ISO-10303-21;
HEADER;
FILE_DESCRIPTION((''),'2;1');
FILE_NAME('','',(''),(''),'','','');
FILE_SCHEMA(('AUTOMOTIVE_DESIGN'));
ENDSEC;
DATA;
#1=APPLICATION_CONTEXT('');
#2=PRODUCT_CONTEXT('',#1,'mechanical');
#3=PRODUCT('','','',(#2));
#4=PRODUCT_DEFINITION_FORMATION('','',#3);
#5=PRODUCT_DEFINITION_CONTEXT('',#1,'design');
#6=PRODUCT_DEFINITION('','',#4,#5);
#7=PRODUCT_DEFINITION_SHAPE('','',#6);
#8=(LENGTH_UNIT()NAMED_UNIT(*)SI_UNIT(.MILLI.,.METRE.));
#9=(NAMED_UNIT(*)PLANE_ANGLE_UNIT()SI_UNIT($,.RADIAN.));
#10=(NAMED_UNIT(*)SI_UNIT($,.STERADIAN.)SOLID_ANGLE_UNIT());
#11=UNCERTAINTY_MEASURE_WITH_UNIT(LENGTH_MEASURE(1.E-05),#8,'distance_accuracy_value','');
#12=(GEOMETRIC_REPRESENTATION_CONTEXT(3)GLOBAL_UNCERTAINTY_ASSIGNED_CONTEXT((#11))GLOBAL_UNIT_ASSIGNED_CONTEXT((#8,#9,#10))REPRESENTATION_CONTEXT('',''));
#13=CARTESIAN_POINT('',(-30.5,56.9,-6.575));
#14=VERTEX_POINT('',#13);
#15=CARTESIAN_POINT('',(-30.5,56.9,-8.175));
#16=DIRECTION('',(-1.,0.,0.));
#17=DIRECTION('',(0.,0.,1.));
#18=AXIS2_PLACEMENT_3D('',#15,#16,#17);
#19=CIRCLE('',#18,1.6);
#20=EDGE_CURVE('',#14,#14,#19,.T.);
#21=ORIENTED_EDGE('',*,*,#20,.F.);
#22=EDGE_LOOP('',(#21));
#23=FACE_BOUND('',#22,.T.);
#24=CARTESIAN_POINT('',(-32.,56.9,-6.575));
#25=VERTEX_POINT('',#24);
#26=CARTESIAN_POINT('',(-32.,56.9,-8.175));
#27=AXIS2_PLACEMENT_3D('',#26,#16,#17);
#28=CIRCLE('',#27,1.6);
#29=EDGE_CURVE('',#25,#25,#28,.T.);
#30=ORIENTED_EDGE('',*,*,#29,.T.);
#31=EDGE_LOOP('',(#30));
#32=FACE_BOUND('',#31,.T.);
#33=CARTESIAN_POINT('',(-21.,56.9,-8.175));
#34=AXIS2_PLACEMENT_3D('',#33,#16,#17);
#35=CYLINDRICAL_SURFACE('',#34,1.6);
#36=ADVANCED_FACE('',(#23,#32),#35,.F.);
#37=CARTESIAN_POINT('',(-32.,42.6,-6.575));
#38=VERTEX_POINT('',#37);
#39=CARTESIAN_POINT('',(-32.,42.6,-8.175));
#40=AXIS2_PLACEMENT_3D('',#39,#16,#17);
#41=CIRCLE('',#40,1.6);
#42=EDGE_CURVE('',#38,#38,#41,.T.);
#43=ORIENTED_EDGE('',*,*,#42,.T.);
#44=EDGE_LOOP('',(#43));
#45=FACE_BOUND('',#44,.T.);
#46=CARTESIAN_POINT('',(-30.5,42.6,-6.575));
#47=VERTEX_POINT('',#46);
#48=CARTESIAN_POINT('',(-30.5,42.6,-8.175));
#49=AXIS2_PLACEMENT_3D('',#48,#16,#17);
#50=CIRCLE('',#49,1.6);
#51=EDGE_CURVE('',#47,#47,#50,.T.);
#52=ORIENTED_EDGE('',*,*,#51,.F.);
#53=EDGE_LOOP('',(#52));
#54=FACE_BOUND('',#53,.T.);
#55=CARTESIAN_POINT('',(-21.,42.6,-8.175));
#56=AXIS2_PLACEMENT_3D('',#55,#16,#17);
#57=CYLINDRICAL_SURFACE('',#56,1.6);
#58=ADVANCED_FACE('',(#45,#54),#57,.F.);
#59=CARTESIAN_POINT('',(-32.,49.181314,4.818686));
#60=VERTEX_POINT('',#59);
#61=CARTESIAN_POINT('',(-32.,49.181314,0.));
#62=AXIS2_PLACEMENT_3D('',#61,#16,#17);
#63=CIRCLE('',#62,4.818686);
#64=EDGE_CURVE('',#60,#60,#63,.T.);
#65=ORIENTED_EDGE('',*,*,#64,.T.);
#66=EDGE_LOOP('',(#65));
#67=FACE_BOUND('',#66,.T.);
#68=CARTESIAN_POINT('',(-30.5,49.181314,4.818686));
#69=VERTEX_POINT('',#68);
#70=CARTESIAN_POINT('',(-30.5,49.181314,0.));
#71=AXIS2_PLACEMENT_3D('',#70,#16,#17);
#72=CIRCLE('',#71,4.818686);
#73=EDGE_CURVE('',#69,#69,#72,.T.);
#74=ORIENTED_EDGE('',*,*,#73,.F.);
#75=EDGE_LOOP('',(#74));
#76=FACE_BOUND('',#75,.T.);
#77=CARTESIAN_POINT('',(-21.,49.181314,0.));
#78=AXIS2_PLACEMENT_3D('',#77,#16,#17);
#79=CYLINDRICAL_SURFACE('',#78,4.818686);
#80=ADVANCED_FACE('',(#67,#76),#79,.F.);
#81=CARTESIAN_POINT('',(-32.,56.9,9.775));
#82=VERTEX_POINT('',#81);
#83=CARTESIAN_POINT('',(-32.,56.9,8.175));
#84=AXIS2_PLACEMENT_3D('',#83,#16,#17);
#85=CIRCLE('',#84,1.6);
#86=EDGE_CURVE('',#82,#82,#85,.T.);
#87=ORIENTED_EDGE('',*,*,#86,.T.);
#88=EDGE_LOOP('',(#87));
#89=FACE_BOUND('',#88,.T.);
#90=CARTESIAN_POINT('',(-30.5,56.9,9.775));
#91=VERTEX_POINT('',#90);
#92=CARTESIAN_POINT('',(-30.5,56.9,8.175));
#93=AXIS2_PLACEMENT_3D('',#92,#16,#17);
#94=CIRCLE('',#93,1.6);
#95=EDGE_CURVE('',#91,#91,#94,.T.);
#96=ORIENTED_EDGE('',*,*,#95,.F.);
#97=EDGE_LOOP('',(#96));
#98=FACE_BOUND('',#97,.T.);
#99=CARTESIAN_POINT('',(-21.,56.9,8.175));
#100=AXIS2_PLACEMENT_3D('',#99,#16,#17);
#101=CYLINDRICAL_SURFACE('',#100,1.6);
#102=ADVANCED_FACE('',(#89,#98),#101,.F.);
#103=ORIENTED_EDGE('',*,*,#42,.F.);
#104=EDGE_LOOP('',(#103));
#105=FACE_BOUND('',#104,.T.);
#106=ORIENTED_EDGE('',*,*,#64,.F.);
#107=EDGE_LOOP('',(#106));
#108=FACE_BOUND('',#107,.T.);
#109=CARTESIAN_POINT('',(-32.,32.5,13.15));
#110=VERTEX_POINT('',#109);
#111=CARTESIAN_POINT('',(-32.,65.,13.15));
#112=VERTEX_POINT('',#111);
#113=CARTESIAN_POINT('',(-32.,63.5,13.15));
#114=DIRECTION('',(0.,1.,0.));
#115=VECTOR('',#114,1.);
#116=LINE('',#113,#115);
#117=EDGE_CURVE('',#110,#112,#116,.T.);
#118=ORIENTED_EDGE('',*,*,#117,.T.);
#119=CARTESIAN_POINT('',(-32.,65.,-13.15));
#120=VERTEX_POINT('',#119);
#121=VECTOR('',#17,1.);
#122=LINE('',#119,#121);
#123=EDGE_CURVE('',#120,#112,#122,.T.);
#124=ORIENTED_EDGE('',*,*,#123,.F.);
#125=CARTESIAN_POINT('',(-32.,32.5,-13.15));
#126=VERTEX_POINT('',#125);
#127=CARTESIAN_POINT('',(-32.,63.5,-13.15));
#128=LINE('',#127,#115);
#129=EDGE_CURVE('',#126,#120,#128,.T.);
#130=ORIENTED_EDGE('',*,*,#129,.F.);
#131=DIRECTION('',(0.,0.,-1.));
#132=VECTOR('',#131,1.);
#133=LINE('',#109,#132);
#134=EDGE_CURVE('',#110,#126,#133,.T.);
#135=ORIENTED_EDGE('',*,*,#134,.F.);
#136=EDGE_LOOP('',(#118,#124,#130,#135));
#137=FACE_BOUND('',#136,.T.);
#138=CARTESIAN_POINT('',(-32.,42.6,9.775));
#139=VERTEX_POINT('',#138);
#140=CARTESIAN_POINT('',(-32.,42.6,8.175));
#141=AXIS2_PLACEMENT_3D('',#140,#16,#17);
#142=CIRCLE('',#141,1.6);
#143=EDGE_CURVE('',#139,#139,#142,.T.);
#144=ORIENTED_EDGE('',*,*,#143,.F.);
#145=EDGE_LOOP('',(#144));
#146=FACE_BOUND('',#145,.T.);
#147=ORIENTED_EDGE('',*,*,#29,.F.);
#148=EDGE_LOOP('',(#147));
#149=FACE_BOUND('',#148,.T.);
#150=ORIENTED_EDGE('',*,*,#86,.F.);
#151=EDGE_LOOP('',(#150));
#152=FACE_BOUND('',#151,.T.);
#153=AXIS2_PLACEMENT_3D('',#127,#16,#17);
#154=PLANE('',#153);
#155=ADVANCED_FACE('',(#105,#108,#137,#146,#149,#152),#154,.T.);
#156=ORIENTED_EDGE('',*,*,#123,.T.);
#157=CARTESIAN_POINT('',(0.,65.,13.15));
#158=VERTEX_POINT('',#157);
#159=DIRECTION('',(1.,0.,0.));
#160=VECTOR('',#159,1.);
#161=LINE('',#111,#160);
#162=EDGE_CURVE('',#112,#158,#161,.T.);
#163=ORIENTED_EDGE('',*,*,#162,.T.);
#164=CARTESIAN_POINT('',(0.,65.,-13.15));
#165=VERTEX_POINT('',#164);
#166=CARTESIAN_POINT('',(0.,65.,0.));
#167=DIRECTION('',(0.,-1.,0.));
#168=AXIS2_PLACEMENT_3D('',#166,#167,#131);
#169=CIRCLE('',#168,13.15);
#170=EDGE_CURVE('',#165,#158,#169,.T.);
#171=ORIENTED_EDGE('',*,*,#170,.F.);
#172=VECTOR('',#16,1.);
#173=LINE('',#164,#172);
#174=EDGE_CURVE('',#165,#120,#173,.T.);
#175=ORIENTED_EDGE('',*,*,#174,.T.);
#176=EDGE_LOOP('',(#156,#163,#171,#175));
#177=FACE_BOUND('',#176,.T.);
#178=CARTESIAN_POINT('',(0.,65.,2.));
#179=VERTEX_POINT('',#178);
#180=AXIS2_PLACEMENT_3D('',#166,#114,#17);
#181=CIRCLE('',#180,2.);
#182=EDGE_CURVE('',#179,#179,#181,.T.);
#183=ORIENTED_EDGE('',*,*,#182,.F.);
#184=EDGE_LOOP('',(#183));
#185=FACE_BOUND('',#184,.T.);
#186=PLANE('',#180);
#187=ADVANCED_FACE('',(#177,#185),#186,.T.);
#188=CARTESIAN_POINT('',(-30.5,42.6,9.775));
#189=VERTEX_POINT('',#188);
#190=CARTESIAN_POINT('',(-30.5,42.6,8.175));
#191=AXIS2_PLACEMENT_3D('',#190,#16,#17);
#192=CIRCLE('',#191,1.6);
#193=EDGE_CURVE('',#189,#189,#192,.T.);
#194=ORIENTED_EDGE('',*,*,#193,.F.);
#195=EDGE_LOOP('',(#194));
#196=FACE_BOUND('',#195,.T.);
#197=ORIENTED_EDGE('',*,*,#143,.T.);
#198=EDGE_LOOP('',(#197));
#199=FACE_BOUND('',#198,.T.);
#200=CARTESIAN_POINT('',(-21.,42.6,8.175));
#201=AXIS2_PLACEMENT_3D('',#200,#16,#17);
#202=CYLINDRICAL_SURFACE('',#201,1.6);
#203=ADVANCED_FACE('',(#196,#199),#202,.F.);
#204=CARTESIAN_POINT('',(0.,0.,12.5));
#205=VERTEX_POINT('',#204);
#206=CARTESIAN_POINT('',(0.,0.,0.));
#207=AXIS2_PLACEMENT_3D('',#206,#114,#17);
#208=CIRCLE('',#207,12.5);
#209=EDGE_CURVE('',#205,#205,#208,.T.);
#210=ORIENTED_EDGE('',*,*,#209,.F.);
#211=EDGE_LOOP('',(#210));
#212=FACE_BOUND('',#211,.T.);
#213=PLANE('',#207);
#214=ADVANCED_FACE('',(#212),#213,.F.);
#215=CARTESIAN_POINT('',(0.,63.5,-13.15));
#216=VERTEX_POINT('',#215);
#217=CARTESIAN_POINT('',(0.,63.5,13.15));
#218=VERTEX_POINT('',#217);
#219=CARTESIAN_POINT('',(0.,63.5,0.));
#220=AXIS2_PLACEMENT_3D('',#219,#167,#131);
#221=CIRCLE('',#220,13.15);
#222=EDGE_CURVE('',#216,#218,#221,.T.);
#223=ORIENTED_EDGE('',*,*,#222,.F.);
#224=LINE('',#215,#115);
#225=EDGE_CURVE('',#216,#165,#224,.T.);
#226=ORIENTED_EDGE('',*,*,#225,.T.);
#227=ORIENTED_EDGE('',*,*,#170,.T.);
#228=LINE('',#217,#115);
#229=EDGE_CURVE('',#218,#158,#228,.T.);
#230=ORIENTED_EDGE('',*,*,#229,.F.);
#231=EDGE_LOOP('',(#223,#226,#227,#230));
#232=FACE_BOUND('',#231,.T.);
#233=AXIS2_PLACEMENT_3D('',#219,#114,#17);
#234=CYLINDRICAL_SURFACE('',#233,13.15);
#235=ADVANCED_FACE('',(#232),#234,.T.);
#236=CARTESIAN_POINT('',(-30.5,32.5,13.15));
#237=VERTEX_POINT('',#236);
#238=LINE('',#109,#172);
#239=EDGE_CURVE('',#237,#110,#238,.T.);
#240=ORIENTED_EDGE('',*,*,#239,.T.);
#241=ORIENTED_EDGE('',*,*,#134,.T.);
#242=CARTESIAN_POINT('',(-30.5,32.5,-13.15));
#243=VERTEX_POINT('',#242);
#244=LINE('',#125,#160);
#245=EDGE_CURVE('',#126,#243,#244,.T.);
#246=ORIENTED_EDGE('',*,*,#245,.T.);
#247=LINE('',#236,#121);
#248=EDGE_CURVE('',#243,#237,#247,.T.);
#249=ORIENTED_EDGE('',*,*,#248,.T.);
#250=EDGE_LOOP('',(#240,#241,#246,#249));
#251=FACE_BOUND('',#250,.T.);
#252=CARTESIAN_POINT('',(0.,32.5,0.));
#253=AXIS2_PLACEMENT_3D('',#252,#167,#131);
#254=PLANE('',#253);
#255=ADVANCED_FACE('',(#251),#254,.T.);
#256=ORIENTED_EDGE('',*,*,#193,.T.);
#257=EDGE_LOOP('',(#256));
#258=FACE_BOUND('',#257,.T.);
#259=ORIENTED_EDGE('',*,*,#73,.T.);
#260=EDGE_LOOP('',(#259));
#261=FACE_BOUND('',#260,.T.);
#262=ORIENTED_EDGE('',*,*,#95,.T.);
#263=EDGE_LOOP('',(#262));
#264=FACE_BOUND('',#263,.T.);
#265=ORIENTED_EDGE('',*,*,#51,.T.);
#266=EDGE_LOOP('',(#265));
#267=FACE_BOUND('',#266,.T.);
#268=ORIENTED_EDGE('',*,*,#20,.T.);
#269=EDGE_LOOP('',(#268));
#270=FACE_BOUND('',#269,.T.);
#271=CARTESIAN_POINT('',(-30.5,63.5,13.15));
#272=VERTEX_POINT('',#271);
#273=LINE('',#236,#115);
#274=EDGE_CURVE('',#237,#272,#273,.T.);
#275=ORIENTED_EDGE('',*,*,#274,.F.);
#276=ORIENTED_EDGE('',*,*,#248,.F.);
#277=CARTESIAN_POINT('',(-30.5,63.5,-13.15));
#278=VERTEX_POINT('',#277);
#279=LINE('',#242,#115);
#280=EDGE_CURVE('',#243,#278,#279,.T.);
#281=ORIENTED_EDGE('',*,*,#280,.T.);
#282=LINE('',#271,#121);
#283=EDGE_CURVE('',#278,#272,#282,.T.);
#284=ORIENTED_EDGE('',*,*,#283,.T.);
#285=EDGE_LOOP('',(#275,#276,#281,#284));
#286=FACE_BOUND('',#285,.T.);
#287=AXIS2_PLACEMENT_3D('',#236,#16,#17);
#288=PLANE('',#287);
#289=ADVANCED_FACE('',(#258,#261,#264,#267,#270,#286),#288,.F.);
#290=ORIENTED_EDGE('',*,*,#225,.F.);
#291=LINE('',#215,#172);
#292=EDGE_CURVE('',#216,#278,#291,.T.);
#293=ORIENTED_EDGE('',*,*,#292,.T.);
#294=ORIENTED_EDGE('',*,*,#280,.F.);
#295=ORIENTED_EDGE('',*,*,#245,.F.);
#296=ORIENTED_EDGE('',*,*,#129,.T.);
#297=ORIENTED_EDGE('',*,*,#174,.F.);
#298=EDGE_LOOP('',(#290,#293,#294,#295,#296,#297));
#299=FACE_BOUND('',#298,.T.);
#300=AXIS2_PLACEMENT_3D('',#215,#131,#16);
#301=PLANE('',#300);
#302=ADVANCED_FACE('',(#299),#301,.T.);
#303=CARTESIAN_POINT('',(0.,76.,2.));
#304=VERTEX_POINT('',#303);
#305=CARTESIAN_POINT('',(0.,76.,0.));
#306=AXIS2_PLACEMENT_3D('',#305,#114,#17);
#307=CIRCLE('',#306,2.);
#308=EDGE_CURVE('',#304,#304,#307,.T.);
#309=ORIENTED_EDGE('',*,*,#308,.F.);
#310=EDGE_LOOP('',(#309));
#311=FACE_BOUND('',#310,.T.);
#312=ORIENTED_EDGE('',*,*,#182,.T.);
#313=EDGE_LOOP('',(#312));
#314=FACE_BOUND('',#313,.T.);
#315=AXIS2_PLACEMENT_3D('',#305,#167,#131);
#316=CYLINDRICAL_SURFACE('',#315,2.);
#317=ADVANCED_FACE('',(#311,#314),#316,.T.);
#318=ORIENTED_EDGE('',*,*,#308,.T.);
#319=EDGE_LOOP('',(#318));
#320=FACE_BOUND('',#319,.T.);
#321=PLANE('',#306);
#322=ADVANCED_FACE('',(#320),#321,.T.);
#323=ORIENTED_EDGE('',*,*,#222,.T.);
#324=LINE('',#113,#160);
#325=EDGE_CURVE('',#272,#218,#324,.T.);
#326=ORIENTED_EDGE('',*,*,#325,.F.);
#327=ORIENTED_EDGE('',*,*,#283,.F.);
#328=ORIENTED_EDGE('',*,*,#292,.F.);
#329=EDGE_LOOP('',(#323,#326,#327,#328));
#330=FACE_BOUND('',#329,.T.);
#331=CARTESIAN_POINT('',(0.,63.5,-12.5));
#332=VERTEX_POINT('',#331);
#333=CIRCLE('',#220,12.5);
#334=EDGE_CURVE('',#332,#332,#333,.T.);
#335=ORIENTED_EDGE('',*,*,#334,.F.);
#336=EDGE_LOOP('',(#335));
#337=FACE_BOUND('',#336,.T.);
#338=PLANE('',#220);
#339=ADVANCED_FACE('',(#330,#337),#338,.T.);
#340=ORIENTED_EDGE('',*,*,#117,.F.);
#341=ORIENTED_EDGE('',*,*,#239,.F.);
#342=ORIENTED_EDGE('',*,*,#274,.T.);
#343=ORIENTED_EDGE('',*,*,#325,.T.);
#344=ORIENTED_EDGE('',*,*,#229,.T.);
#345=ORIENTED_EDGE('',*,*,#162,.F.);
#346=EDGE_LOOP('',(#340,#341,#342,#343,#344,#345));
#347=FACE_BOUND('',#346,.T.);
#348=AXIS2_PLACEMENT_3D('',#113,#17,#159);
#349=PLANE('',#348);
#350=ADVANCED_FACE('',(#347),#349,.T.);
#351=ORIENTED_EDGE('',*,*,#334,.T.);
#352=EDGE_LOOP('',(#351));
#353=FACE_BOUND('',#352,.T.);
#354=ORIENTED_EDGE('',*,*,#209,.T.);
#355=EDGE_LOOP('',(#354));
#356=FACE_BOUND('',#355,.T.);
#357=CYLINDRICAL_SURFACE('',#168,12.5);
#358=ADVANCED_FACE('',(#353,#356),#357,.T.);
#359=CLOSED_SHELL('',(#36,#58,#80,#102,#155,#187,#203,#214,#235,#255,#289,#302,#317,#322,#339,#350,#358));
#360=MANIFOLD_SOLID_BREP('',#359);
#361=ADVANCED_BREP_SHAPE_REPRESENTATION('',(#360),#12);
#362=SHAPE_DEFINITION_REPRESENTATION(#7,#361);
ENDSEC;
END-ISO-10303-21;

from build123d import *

# Parameters (mm, degrees)
SKETCH1_R           = 12.5
BOSS_EXTRUDE1_DEPTH = 65
SKETCH3_R           = 2
BOSS_EXTRUDE2_DEPTH = 11
BOSS_EXTRUDE3_DEPTH = 1.5
SKETCH5_W           = 1.5
SKETCH5_H           = 26.3
BOSS_EXTRUDE4_DEPTH = 31
SKETCH6_R           = 4.818685959
SKETCH6_R_2         = 1.6
CUT_EXTRUDE1_DEPTH  = 11


with BuildPart() as part:
    # Sketch1 → Boss-Extrude1 (new body)
    with BuildSketch(Plane(origin=(0, 0, 0), x_dir=(1, 0, 0), z_dir=(0, 1, 0))):
        with Locations(Location((0, 0, 0), (0, 0, 270))):
            Circle(SKETCH1_R)
    extrude(amount=BOSS_EXTRUDE1_DEPTH)

    # Sketch3 → Boss-Extrude2 (add)
    with BuildSketch(Plane(origin=(0, 65, 0), x_dir=(1, 0, 0), z_dir=(0, 1, 0))):
        with Locations(Location((0, 0, 0), (0, 0, 270))):
            Circle(SKETCH3_R)
    extrude(amount=BOSS_EXTRUDE2_DEPTH)

    # Sketch4 → Boss-Extrude3 (add)
    with BuildSketch(Plane(origin=(0, 65, 0), x_dir=(1, 0, 0), z_dir=(0, 1, 0))):
        with BuildLine():
            Line((0, 13.15), (-32, 13.15))
            Line((-32, 13.15), (-32, -13.15))
            Line((-32, -13.15), (0, -13.15))
            ThreePointArc((0, -13.15), (13.15, 0), (0, 13.15))
        make_face()
    extrude(amount=-BOSS_EXTRUDE3_DEPTH)

    # Sketch5 → Boss-Extrude4 (add)
    with BuildSketch(Plane.XZ.offset(-63.5)):
        with Locations((-31.25, 0)):
            Rectangle(SKETCH5_W, SKETCH5_H)
    extrude(amount=BOSS_EXTRUDE4_DEPTH)

    # Sketch6 → Cut-Extrude1 (cut)
    with BuildSketch(Plane.ZY.offset(32)):
        with Locations((0, 49.181314041)):
            Circle(SKETCH6_R)
        with Locations((-8.175, 56.9)):
            Circle(SKETCH6_R_2)
        with Locations((8.175, 56.9)):
            Circle(SKETCH6_R_2)
        with Locations((8.175, 42.6)):
            Circle(SKETCH6_R_2)
        with Locations((-8.175, 42.6)):
            Circle(SKETCH6_R_2)
    extrude(amount=-CUT_EXTRUDE1_DEPTH, mode=Mode.SUBTRACT)


solid = part.part
